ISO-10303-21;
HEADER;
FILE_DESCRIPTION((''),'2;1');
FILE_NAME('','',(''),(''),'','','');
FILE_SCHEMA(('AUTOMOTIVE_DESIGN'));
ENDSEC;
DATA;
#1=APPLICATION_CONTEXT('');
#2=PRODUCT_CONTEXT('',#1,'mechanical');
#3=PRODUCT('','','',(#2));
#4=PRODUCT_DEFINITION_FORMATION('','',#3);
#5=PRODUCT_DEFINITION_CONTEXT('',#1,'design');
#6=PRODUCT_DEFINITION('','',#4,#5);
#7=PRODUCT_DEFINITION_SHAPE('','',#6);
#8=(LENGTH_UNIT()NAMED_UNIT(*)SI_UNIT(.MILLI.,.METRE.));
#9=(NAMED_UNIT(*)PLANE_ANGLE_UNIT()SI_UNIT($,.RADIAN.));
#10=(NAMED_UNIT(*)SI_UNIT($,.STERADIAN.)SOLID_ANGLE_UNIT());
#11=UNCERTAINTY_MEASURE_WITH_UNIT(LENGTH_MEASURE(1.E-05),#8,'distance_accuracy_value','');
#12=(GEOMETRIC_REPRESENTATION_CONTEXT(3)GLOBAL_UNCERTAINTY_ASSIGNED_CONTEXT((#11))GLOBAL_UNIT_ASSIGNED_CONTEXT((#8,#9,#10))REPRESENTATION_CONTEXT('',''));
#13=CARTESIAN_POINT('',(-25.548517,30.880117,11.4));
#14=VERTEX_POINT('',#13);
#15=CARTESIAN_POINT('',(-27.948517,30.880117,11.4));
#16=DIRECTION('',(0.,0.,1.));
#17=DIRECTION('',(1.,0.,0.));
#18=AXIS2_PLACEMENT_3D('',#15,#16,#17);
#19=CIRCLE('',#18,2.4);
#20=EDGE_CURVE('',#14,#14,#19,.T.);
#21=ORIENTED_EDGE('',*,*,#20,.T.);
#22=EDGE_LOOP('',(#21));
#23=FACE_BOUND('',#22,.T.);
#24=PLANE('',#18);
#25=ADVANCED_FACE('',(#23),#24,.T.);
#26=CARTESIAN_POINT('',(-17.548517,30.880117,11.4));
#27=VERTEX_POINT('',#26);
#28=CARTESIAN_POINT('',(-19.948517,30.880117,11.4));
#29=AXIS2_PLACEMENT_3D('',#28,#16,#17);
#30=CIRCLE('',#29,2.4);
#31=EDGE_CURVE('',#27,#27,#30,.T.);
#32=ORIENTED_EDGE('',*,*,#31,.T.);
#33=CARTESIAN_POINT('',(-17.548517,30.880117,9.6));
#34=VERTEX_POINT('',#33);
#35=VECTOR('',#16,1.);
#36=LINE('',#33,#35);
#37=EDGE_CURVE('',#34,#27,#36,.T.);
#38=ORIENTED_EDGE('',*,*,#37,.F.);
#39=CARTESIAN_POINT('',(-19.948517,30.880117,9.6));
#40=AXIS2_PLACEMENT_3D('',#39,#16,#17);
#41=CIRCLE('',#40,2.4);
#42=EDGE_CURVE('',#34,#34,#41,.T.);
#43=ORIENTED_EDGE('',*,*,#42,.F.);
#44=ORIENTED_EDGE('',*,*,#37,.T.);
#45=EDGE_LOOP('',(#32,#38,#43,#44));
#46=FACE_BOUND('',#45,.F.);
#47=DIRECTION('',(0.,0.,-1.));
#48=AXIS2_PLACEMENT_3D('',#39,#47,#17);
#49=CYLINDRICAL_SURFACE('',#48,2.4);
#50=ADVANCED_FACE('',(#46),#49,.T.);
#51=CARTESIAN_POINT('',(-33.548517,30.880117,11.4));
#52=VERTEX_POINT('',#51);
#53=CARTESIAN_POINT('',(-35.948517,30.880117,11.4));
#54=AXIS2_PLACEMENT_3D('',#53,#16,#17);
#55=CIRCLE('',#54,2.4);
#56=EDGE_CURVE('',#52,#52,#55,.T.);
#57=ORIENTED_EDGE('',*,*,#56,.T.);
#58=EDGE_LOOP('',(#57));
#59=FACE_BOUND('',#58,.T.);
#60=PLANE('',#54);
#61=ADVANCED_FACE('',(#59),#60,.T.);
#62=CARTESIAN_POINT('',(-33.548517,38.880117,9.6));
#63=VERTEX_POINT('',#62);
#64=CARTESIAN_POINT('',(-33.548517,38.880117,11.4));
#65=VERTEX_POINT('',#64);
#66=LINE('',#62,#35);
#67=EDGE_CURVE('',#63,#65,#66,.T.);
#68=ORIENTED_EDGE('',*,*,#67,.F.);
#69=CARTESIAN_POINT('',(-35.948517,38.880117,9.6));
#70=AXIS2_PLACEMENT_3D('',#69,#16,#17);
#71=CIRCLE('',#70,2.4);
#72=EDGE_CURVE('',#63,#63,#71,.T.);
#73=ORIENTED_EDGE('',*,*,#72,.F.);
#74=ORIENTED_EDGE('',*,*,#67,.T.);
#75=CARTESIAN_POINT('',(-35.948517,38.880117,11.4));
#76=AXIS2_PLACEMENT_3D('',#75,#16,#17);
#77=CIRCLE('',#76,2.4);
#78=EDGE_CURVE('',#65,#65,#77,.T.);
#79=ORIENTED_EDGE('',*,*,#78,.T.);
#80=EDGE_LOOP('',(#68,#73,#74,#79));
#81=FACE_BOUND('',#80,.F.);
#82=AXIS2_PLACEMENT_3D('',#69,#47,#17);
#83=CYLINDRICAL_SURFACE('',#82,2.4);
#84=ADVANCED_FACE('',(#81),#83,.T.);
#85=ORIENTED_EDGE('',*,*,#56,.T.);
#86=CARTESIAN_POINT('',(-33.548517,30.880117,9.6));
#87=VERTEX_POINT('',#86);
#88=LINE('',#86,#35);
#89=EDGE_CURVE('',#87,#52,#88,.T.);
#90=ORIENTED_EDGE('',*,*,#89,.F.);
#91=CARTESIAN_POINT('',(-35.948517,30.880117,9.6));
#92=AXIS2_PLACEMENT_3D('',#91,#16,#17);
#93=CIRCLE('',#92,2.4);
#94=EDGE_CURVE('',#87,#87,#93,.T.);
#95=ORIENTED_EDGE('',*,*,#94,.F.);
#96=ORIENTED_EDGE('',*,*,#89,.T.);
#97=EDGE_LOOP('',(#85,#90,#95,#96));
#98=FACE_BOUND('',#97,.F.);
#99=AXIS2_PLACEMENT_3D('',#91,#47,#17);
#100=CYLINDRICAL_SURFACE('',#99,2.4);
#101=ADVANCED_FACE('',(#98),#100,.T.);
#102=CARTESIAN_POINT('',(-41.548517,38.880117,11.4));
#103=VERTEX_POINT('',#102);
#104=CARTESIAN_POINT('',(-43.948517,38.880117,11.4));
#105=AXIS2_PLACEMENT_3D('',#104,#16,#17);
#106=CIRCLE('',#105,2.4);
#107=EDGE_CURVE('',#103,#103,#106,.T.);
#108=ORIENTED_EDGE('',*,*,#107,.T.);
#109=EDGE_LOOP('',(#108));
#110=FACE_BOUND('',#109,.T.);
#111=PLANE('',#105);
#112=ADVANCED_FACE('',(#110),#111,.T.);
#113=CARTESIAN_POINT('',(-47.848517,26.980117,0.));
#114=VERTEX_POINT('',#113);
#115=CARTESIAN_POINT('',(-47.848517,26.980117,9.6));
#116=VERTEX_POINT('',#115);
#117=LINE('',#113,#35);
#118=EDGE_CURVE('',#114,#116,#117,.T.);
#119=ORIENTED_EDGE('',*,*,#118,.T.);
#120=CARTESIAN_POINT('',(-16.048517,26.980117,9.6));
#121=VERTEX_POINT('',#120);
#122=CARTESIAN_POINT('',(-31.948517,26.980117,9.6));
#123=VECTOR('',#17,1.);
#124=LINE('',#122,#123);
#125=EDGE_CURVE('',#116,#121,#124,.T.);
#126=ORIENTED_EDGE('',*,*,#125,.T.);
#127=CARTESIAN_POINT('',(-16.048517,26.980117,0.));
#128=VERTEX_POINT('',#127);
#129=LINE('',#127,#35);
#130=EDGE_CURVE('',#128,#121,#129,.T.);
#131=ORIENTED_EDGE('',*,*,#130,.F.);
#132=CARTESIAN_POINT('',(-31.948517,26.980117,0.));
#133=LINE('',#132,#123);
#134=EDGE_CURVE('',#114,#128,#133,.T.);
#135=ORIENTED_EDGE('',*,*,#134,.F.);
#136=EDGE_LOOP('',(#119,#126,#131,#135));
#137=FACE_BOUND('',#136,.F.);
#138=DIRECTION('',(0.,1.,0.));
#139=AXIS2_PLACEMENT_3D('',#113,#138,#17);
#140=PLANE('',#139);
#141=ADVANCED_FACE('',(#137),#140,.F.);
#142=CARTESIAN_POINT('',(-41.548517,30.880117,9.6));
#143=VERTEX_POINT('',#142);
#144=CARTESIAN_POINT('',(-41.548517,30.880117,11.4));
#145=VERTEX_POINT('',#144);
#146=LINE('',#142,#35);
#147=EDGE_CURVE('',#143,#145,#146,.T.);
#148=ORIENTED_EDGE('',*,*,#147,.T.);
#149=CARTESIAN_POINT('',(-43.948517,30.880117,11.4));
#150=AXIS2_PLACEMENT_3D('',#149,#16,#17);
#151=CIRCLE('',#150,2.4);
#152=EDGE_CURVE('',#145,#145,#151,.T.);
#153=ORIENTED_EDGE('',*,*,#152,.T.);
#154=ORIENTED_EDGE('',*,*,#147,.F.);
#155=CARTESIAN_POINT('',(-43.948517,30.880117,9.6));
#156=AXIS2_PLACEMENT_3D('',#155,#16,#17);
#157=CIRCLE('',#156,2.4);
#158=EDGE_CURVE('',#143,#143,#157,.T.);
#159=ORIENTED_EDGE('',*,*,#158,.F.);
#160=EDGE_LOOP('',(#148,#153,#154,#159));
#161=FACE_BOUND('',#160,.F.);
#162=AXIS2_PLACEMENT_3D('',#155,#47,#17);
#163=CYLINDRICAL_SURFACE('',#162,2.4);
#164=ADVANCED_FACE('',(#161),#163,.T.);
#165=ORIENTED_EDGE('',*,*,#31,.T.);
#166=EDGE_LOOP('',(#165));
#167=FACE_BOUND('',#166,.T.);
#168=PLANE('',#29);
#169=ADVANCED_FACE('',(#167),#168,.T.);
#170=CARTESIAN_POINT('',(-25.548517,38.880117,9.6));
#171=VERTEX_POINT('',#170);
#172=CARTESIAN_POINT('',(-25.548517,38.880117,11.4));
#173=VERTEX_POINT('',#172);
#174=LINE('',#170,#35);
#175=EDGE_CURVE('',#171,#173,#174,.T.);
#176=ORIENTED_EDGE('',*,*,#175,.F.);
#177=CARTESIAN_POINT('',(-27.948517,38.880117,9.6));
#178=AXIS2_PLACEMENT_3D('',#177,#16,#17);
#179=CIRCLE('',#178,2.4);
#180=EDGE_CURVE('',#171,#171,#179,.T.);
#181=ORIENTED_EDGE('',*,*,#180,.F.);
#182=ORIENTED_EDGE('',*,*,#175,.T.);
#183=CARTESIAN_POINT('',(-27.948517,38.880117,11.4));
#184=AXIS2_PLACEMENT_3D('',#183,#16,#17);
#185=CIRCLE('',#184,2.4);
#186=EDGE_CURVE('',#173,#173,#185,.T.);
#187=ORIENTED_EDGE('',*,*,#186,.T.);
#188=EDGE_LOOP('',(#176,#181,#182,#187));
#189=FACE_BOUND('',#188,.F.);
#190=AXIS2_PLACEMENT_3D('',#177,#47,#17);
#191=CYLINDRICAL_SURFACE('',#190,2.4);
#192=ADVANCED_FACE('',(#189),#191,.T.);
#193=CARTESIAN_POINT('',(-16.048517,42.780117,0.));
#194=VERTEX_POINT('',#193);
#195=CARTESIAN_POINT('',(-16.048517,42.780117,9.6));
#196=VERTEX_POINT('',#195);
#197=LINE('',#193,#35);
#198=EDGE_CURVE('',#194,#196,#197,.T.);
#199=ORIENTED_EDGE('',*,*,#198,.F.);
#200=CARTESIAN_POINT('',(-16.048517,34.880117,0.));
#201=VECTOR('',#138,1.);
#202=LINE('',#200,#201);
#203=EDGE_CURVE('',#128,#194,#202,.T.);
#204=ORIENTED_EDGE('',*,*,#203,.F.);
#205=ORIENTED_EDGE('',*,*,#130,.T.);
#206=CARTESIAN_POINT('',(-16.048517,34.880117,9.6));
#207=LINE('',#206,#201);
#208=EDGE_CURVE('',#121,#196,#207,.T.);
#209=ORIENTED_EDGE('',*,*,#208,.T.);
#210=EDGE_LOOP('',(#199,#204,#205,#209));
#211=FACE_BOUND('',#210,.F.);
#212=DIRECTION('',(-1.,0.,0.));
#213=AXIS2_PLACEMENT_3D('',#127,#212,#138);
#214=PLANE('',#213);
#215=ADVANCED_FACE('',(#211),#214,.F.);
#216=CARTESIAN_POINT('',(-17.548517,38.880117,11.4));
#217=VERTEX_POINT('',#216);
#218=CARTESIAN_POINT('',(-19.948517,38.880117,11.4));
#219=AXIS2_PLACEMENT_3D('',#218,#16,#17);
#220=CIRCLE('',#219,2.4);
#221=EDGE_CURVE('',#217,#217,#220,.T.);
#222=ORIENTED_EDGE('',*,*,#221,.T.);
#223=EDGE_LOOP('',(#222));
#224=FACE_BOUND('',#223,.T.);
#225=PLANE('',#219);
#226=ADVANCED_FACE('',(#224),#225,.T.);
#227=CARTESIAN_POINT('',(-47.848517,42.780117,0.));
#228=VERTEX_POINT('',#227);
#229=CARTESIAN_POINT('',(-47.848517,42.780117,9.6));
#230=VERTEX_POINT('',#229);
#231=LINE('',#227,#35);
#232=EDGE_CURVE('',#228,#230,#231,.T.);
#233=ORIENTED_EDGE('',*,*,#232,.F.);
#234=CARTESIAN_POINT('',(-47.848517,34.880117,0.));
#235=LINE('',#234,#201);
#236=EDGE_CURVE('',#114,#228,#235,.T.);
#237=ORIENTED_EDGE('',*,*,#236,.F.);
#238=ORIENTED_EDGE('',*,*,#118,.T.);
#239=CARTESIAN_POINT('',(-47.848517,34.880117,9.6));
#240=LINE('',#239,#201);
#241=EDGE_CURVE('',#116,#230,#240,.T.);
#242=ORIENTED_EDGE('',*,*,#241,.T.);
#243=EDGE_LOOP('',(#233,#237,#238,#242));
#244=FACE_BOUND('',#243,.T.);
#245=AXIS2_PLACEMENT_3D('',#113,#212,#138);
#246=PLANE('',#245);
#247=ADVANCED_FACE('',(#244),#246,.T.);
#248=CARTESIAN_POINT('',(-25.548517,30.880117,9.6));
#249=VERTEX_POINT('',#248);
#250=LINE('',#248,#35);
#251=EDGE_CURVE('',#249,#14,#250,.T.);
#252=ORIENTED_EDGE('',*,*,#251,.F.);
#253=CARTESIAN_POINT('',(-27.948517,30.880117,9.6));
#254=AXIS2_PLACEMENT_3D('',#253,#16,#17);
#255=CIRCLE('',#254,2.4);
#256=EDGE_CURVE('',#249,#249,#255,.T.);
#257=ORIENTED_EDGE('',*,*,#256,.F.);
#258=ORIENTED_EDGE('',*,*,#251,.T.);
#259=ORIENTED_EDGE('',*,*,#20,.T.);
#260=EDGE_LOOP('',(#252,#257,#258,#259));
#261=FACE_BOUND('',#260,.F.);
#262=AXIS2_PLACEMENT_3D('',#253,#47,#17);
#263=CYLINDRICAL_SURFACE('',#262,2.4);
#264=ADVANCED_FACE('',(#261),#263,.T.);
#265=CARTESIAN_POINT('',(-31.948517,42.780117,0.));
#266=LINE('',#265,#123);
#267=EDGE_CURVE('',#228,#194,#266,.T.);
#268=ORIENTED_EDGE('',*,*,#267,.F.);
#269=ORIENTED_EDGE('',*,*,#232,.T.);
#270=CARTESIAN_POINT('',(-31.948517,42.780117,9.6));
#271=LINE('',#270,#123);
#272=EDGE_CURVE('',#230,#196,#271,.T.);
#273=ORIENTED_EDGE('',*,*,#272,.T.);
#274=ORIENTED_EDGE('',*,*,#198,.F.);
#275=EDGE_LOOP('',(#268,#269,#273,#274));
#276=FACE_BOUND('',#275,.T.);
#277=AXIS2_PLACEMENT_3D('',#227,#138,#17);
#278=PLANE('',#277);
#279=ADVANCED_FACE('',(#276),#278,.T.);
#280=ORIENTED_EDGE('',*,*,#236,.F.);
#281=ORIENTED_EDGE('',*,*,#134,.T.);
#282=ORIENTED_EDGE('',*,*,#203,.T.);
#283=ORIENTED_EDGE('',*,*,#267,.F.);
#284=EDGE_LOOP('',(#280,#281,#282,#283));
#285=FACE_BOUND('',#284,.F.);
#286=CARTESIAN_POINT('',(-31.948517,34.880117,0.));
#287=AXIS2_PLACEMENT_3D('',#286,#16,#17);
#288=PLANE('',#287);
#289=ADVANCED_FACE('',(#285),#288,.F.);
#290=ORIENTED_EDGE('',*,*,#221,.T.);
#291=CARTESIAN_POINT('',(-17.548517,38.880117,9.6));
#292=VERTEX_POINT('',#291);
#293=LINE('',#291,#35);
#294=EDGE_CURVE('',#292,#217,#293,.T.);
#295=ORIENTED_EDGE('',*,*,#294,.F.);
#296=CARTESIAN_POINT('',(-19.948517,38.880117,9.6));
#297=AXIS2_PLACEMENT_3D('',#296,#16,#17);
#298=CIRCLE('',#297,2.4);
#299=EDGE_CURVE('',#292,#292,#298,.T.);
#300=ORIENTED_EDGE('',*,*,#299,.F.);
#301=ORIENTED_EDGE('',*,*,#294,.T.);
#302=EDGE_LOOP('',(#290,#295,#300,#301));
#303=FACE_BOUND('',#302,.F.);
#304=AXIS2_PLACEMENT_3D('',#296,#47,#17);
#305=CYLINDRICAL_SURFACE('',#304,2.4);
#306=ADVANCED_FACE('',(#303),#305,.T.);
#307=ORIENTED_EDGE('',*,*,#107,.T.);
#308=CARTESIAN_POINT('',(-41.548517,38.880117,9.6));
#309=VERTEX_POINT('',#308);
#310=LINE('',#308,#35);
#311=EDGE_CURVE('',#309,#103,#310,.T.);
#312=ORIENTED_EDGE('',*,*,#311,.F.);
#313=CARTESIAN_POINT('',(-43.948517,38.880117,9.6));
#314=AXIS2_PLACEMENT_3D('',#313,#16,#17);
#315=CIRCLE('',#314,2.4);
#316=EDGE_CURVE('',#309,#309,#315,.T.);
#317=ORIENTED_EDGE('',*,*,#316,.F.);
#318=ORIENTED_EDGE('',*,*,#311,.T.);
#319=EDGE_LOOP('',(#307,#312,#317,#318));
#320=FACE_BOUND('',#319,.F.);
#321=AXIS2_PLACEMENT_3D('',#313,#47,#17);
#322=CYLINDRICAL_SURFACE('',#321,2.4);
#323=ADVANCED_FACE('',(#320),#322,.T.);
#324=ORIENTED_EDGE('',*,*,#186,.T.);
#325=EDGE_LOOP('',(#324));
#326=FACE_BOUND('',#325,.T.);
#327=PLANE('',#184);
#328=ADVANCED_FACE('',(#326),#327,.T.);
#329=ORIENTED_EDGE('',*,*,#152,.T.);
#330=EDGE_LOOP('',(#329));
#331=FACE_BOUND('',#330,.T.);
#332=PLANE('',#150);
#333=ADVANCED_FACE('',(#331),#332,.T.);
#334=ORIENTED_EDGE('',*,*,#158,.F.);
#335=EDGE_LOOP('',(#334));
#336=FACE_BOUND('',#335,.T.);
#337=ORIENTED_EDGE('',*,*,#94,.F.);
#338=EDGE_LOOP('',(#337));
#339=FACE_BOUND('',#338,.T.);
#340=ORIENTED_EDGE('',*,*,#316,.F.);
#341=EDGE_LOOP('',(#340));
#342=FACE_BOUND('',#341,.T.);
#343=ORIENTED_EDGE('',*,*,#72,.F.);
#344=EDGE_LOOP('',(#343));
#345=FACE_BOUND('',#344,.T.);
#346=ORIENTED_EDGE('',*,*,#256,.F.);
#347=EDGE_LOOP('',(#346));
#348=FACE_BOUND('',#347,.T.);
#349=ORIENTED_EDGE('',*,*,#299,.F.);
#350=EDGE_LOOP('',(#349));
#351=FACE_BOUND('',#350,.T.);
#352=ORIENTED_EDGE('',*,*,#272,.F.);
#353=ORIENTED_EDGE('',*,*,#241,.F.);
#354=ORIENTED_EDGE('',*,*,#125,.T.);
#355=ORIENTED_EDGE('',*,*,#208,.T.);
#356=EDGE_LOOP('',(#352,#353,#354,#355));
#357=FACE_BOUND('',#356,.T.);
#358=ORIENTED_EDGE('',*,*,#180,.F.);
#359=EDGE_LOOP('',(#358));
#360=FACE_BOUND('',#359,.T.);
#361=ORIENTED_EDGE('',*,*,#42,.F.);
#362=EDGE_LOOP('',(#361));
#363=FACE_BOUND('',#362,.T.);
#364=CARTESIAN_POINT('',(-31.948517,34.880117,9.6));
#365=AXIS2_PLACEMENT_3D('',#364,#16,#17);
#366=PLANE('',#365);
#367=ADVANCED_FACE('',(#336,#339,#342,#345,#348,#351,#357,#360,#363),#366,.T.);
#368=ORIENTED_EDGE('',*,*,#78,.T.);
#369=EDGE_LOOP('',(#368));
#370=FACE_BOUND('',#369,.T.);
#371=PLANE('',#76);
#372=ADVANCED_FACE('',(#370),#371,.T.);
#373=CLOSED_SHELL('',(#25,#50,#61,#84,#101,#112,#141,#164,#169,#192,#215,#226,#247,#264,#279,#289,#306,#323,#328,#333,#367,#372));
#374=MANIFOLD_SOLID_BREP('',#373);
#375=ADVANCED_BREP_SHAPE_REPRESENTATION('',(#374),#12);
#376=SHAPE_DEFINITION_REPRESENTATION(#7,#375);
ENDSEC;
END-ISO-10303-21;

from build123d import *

# Parameters (mm, degrees)
F0_W     = 31.8
F0_H     = 15.8
F1_DEPTH = 9.6
F2_R     = 2.4
F3_DEPTH = 1.8


with BuildPart() as f1:
    # F0 (on Top) → F1 (new body)
    with BuildSketch(Plane.XY):
        with Locations((-31.948517, 34.880117)):
            Rectangle(F0_W, F0_H)
    extrude(amount=F1_DEPTH)

    # F2 (on face) → F3 (join)
    with BuildSketch(Plane.XY.offset(9.6)):
        with Locations((-43.948517, 38.880117)):
            Circle(F2_R)
        with Locations((-43.948517, 30.880117)):
            Circle(F2_R)
        with Locations((-35.948517, 38.880117)):
            Circle(F2_R)
        with Locations((-35.948517, 30.880117)):
            Circle(F2_R)
        with Locations((-27.948517, 38.880117)):
            Circle(F2_R)
        with Locations((-27.948517, 30.880117)):
            Circle(F2_R)
        with Locations((-19.948517, 38.880117)):
            Circle(F2_R)
        with Locations((-19.948517, 30.880117)):
            Circle(F2_R)
    extrude(amount=F3_DEPTH)


solid = f1.part
